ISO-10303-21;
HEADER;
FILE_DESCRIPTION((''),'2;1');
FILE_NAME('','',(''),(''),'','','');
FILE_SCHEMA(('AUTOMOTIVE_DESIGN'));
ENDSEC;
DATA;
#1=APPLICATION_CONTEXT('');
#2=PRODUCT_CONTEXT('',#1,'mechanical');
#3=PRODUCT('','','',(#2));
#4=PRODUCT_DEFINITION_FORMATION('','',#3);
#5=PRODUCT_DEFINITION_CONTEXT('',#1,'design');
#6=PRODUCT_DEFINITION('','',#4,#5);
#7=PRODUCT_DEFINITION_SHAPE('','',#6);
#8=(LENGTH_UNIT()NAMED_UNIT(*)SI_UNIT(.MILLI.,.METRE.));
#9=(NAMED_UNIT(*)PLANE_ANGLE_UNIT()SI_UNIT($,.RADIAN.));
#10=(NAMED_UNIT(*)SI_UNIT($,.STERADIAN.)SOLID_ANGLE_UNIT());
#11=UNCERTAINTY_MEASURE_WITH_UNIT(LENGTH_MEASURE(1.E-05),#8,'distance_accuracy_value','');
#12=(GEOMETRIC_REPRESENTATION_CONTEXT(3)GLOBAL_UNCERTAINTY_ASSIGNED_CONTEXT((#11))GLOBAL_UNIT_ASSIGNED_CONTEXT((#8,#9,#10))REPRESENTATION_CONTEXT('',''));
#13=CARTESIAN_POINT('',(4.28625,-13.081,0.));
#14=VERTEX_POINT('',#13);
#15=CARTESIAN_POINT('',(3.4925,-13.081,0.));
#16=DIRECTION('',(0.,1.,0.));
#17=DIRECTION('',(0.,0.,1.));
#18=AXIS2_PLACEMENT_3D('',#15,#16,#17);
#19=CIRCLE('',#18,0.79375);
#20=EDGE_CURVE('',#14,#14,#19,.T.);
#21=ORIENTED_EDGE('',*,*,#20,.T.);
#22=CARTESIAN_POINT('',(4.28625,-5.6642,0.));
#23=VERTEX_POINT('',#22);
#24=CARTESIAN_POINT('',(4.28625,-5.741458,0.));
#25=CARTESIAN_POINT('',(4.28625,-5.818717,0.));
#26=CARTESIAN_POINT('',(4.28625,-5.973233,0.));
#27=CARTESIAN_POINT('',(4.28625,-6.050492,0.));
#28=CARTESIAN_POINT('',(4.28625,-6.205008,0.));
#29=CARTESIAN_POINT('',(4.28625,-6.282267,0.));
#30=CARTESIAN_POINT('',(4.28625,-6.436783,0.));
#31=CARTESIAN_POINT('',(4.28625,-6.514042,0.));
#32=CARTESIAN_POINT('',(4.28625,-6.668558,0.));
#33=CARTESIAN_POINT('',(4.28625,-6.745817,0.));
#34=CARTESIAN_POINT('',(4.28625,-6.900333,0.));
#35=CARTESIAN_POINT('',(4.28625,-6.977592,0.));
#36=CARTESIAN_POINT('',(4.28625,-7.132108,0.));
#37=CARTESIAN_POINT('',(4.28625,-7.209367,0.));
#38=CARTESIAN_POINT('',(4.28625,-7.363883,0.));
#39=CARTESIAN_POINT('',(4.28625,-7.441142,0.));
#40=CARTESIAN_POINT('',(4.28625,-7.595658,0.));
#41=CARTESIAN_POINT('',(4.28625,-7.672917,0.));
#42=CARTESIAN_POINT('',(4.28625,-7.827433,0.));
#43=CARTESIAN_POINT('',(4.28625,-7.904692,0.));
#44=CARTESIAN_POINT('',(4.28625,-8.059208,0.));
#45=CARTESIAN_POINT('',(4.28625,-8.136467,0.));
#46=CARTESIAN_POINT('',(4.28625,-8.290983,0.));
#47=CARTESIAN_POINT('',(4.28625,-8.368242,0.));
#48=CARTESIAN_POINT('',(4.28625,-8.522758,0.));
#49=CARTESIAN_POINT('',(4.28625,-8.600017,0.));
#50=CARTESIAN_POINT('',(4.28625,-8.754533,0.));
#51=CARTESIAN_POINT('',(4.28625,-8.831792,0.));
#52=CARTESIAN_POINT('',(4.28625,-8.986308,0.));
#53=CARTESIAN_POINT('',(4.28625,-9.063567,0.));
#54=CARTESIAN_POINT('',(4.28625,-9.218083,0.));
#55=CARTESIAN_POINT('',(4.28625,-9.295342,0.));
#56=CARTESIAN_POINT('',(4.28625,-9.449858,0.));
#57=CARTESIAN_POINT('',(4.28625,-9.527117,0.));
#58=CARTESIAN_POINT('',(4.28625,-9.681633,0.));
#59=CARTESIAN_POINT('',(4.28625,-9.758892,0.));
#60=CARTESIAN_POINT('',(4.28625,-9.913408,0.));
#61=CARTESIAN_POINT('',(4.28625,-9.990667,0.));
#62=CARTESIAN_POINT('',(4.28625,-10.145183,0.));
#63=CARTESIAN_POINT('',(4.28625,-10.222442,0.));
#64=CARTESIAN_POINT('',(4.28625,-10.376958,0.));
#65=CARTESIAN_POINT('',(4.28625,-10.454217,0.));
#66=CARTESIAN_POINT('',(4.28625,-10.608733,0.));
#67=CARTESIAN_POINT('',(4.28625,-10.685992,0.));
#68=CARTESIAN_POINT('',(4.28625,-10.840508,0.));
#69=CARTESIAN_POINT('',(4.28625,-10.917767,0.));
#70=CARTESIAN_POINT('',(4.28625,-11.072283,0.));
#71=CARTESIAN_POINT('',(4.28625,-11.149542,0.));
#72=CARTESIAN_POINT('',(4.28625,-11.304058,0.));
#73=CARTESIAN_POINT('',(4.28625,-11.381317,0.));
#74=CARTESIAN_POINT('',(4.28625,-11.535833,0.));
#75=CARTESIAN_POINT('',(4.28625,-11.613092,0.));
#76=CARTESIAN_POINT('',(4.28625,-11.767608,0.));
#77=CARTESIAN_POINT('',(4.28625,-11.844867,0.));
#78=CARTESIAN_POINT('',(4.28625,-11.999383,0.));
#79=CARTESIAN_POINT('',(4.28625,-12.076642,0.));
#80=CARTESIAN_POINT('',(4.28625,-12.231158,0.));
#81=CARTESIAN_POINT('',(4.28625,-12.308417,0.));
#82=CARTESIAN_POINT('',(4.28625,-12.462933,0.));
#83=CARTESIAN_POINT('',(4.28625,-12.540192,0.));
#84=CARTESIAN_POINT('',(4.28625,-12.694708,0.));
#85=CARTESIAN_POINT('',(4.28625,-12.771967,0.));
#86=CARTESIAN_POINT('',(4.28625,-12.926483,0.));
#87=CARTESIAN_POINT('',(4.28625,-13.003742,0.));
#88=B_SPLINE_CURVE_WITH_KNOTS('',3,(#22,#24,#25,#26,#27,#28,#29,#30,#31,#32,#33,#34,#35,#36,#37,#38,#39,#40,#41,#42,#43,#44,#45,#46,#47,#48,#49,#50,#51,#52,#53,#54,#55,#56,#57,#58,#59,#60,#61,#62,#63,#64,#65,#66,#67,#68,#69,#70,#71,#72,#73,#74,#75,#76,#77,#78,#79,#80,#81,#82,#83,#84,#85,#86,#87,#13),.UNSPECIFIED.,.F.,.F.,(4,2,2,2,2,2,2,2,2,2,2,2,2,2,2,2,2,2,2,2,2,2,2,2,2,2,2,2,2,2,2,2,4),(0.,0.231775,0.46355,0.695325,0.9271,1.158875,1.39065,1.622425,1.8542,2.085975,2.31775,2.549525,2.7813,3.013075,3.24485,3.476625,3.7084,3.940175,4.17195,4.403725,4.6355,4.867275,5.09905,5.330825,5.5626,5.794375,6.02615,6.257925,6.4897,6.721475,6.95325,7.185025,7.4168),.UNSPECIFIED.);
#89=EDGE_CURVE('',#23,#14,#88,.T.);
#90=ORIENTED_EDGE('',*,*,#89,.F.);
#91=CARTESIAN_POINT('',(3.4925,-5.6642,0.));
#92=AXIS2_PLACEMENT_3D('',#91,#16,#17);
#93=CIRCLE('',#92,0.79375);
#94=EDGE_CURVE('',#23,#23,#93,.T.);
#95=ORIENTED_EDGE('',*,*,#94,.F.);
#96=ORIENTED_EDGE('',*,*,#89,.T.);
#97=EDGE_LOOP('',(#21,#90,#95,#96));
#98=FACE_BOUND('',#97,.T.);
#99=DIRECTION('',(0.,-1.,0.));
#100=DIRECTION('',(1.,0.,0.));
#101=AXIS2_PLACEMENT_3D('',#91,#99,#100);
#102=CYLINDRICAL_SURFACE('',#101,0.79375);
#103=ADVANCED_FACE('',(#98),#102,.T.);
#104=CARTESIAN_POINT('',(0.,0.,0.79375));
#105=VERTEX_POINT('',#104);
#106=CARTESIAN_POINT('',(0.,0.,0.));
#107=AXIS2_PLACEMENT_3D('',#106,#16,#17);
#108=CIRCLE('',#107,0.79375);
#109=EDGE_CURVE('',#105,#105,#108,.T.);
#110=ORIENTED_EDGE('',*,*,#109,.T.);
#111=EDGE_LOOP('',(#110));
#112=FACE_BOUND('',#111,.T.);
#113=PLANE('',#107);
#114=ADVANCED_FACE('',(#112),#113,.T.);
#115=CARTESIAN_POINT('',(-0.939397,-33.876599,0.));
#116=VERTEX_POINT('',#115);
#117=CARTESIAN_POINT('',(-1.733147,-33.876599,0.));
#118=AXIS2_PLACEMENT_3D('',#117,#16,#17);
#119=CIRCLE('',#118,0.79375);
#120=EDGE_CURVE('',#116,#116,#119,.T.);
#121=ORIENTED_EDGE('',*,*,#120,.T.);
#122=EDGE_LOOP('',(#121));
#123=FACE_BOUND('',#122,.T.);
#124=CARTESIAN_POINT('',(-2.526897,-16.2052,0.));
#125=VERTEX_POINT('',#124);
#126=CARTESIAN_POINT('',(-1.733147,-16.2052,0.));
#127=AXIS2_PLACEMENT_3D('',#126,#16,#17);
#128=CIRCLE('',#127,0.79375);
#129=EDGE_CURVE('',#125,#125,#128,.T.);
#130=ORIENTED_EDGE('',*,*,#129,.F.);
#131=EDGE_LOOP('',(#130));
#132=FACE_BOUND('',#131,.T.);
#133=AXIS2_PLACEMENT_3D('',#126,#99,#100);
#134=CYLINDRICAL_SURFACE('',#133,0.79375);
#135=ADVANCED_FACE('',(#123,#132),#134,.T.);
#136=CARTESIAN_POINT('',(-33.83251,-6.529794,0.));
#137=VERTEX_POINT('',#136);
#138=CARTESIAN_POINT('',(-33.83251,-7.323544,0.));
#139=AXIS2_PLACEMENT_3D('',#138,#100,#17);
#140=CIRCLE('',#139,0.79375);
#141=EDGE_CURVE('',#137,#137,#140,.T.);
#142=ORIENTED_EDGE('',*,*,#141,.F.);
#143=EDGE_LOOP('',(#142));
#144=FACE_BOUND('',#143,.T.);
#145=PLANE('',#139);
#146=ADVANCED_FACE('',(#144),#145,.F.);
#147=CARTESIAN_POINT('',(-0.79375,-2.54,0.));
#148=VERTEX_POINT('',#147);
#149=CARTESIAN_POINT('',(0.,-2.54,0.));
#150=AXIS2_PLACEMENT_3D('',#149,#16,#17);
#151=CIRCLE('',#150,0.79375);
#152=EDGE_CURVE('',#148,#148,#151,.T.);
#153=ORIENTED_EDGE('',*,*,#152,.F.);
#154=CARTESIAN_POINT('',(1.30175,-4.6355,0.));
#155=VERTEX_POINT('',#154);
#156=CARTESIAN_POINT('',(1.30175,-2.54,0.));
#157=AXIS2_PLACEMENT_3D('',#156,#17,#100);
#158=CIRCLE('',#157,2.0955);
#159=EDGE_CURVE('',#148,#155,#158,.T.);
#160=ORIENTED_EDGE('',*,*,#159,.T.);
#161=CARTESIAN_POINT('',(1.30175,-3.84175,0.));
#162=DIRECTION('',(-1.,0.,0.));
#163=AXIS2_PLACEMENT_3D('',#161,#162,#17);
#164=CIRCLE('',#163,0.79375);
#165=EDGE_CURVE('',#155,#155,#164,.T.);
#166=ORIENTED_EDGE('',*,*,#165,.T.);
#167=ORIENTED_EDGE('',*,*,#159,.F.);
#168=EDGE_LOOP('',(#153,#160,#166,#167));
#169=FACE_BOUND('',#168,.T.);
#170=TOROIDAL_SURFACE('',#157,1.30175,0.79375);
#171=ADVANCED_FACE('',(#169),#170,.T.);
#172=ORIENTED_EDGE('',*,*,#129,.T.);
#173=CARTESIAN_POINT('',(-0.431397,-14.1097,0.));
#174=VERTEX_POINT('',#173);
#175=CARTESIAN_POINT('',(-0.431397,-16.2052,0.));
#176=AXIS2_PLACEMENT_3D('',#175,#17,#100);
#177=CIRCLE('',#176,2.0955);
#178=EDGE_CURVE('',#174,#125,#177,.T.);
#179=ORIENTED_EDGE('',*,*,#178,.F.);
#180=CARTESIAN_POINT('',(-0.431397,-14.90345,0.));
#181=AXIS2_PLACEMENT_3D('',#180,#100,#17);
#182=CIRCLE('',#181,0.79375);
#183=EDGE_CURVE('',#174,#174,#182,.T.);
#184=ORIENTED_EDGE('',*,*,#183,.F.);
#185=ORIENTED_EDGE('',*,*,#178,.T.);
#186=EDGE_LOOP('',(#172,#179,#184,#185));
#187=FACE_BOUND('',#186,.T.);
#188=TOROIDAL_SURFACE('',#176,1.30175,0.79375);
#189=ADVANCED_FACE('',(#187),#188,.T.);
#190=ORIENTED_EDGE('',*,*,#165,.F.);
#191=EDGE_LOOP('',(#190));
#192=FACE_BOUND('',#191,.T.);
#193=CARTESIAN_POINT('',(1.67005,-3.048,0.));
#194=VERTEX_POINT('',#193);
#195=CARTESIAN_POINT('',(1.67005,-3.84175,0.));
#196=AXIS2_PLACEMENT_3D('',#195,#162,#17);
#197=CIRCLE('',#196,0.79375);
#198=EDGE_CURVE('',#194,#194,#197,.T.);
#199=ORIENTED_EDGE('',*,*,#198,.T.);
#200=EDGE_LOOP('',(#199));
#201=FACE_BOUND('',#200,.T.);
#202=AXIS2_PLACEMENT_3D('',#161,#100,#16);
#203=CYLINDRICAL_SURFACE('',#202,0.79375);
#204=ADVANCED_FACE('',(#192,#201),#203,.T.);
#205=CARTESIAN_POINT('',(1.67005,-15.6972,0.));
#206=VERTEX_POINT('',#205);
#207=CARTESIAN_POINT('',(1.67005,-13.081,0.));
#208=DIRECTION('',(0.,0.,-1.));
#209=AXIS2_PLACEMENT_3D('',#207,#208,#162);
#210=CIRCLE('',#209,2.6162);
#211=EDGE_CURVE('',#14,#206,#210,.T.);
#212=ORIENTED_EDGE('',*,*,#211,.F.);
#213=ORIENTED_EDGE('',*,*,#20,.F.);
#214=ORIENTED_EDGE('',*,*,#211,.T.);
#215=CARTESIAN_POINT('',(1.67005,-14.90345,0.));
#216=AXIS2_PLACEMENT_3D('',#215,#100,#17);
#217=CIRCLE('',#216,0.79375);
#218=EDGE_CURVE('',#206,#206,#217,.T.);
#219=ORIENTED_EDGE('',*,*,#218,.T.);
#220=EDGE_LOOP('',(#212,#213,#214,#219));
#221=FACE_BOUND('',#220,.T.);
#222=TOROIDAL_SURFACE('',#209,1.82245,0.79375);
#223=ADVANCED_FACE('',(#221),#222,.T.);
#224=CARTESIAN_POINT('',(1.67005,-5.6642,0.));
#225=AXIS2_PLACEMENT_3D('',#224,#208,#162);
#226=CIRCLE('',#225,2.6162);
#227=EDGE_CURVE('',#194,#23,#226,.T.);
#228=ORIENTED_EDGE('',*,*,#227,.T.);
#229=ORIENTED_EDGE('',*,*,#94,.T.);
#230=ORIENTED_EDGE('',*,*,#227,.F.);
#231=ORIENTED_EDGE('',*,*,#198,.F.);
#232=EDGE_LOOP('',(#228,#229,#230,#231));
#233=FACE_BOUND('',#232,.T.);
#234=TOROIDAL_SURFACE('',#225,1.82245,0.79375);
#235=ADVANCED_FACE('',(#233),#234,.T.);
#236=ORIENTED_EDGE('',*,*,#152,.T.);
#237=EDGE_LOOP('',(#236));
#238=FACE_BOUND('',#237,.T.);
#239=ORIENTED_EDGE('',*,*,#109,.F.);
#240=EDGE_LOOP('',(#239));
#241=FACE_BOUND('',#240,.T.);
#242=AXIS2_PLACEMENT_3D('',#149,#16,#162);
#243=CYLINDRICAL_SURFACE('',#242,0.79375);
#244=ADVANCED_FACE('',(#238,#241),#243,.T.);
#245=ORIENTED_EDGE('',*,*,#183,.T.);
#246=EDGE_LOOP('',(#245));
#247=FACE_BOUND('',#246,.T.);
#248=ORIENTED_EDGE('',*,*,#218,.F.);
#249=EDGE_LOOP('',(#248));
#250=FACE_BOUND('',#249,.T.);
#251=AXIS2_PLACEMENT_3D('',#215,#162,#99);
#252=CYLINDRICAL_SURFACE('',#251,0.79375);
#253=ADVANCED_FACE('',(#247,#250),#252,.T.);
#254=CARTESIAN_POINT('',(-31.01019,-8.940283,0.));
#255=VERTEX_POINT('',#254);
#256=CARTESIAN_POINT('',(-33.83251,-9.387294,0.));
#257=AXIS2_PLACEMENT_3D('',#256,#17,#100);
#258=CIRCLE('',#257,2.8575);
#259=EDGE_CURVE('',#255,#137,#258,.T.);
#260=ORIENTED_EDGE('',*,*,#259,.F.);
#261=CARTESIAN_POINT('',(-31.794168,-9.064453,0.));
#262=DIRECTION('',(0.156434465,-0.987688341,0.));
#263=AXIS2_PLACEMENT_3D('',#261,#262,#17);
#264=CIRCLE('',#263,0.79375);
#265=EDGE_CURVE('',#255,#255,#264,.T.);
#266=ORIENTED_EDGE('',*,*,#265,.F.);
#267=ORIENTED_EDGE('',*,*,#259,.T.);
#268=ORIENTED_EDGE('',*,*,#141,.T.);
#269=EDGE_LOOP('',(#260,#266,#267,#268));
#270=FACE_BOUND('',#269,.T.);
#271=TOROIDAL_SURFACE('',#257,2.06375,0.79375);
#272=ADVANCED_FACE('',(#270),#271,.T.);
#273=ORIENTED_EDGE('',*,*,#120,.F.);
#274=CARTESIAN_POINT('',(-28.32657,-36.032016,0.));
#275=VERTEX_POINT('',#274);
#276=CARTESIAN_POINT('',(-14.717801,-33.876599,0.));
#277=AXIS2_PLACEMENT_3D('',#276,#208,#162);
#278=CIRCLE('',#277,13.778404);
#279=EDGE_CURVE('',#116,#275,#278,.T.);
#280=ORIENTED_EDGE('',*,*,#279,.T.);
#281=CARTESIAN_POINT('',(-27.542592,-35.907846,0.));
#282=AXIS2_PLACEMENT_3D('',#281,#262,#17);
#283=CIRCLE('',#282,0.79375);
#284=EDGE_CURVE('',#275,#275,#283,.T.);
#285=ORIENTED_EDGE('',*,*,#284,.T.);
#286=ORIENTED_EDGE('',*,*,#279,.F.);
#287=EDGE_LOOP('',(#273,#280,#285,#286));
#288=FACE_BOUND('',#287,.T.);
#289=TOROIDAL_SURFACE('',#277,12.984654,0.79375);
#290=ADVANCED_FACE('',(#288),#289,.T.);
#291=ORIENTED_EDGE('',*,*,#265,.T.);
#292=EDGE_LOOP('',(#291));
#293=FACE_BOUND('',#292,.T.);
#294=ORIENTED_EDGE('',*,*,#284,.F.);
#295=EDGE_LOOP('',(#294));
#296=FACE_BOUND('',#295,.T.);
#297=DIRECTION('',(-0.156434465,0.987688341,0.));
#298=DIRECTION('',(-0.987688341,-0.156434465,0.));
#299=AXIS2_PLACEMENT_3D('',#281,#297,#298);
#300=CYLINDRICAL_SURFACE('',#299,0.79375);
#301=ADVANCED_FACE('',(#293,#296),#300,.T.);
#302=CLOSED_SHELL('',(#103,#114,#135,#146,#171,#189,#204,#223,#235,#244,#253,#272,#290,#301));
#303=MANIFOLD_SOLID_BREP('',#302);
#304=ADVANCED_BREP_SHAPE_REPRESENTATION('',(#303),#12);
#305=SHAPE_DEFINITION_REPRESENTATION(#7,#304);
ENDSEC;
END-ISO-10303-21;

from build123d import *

# Parameters (mm, degrees)
SKETCH2_R = 0.79375


with BuildPart() as part:
    # Sweep1: sweep along a path in Sketch1
    with BuildLine(Plane.XY) as sweep1_path:
        Line((0, 0), (0, -2.54))
        ThreePointArc((0, -2.54), (0.381273748, -3.460476252), (1.30175, -3.84175))
        Line((1.30175, -3.84175), (1.67005, -3.84175))
        ThreePointArc((1.67005, -3.84175), (2.958716753, -4.375533247), (3.4925, -5.6642))
        Line((3.4925, -5.6642), (3.4925, -13.081))
        ThreePointArc((3.4925, -13.081), (2.958716753, -14.369666753), (1.67005, -14.90345))
        Line((1.67005, -14.90345), (-0.431397122, -14.90345))
        ThreePointArc((-0.431397122, -14.90345), (-1.351873374, -15.284723748), (-1.733147122, -16.2052))
        Line((-1.733147122, -16.2052), (-1.733147122, -33.876598998))
        ThreePointArc((-1.733147122, -33.876598998), (-13.699036699, -46.821225414), (-27.542592028, -35.907846364))
        Line((-27.542592028, -35.907846364), (-31.794167919, -9.064452644))
        ThreePointArc((-31.794167919, -9.064452644), (-32.492211322, -7.818006459), (-33.832509732, -7.323544271))
    # Sketch2 → Sweep1 (sweep)
    with BuildSketch(Plane(origin=(0, 0, 0), x_dir=(1, 0, 0), z_dir=(0, 1, 0))):
        Circle(SKETCH2_R)
    sweep(path=sweep1_path.line)


solid = part.part
